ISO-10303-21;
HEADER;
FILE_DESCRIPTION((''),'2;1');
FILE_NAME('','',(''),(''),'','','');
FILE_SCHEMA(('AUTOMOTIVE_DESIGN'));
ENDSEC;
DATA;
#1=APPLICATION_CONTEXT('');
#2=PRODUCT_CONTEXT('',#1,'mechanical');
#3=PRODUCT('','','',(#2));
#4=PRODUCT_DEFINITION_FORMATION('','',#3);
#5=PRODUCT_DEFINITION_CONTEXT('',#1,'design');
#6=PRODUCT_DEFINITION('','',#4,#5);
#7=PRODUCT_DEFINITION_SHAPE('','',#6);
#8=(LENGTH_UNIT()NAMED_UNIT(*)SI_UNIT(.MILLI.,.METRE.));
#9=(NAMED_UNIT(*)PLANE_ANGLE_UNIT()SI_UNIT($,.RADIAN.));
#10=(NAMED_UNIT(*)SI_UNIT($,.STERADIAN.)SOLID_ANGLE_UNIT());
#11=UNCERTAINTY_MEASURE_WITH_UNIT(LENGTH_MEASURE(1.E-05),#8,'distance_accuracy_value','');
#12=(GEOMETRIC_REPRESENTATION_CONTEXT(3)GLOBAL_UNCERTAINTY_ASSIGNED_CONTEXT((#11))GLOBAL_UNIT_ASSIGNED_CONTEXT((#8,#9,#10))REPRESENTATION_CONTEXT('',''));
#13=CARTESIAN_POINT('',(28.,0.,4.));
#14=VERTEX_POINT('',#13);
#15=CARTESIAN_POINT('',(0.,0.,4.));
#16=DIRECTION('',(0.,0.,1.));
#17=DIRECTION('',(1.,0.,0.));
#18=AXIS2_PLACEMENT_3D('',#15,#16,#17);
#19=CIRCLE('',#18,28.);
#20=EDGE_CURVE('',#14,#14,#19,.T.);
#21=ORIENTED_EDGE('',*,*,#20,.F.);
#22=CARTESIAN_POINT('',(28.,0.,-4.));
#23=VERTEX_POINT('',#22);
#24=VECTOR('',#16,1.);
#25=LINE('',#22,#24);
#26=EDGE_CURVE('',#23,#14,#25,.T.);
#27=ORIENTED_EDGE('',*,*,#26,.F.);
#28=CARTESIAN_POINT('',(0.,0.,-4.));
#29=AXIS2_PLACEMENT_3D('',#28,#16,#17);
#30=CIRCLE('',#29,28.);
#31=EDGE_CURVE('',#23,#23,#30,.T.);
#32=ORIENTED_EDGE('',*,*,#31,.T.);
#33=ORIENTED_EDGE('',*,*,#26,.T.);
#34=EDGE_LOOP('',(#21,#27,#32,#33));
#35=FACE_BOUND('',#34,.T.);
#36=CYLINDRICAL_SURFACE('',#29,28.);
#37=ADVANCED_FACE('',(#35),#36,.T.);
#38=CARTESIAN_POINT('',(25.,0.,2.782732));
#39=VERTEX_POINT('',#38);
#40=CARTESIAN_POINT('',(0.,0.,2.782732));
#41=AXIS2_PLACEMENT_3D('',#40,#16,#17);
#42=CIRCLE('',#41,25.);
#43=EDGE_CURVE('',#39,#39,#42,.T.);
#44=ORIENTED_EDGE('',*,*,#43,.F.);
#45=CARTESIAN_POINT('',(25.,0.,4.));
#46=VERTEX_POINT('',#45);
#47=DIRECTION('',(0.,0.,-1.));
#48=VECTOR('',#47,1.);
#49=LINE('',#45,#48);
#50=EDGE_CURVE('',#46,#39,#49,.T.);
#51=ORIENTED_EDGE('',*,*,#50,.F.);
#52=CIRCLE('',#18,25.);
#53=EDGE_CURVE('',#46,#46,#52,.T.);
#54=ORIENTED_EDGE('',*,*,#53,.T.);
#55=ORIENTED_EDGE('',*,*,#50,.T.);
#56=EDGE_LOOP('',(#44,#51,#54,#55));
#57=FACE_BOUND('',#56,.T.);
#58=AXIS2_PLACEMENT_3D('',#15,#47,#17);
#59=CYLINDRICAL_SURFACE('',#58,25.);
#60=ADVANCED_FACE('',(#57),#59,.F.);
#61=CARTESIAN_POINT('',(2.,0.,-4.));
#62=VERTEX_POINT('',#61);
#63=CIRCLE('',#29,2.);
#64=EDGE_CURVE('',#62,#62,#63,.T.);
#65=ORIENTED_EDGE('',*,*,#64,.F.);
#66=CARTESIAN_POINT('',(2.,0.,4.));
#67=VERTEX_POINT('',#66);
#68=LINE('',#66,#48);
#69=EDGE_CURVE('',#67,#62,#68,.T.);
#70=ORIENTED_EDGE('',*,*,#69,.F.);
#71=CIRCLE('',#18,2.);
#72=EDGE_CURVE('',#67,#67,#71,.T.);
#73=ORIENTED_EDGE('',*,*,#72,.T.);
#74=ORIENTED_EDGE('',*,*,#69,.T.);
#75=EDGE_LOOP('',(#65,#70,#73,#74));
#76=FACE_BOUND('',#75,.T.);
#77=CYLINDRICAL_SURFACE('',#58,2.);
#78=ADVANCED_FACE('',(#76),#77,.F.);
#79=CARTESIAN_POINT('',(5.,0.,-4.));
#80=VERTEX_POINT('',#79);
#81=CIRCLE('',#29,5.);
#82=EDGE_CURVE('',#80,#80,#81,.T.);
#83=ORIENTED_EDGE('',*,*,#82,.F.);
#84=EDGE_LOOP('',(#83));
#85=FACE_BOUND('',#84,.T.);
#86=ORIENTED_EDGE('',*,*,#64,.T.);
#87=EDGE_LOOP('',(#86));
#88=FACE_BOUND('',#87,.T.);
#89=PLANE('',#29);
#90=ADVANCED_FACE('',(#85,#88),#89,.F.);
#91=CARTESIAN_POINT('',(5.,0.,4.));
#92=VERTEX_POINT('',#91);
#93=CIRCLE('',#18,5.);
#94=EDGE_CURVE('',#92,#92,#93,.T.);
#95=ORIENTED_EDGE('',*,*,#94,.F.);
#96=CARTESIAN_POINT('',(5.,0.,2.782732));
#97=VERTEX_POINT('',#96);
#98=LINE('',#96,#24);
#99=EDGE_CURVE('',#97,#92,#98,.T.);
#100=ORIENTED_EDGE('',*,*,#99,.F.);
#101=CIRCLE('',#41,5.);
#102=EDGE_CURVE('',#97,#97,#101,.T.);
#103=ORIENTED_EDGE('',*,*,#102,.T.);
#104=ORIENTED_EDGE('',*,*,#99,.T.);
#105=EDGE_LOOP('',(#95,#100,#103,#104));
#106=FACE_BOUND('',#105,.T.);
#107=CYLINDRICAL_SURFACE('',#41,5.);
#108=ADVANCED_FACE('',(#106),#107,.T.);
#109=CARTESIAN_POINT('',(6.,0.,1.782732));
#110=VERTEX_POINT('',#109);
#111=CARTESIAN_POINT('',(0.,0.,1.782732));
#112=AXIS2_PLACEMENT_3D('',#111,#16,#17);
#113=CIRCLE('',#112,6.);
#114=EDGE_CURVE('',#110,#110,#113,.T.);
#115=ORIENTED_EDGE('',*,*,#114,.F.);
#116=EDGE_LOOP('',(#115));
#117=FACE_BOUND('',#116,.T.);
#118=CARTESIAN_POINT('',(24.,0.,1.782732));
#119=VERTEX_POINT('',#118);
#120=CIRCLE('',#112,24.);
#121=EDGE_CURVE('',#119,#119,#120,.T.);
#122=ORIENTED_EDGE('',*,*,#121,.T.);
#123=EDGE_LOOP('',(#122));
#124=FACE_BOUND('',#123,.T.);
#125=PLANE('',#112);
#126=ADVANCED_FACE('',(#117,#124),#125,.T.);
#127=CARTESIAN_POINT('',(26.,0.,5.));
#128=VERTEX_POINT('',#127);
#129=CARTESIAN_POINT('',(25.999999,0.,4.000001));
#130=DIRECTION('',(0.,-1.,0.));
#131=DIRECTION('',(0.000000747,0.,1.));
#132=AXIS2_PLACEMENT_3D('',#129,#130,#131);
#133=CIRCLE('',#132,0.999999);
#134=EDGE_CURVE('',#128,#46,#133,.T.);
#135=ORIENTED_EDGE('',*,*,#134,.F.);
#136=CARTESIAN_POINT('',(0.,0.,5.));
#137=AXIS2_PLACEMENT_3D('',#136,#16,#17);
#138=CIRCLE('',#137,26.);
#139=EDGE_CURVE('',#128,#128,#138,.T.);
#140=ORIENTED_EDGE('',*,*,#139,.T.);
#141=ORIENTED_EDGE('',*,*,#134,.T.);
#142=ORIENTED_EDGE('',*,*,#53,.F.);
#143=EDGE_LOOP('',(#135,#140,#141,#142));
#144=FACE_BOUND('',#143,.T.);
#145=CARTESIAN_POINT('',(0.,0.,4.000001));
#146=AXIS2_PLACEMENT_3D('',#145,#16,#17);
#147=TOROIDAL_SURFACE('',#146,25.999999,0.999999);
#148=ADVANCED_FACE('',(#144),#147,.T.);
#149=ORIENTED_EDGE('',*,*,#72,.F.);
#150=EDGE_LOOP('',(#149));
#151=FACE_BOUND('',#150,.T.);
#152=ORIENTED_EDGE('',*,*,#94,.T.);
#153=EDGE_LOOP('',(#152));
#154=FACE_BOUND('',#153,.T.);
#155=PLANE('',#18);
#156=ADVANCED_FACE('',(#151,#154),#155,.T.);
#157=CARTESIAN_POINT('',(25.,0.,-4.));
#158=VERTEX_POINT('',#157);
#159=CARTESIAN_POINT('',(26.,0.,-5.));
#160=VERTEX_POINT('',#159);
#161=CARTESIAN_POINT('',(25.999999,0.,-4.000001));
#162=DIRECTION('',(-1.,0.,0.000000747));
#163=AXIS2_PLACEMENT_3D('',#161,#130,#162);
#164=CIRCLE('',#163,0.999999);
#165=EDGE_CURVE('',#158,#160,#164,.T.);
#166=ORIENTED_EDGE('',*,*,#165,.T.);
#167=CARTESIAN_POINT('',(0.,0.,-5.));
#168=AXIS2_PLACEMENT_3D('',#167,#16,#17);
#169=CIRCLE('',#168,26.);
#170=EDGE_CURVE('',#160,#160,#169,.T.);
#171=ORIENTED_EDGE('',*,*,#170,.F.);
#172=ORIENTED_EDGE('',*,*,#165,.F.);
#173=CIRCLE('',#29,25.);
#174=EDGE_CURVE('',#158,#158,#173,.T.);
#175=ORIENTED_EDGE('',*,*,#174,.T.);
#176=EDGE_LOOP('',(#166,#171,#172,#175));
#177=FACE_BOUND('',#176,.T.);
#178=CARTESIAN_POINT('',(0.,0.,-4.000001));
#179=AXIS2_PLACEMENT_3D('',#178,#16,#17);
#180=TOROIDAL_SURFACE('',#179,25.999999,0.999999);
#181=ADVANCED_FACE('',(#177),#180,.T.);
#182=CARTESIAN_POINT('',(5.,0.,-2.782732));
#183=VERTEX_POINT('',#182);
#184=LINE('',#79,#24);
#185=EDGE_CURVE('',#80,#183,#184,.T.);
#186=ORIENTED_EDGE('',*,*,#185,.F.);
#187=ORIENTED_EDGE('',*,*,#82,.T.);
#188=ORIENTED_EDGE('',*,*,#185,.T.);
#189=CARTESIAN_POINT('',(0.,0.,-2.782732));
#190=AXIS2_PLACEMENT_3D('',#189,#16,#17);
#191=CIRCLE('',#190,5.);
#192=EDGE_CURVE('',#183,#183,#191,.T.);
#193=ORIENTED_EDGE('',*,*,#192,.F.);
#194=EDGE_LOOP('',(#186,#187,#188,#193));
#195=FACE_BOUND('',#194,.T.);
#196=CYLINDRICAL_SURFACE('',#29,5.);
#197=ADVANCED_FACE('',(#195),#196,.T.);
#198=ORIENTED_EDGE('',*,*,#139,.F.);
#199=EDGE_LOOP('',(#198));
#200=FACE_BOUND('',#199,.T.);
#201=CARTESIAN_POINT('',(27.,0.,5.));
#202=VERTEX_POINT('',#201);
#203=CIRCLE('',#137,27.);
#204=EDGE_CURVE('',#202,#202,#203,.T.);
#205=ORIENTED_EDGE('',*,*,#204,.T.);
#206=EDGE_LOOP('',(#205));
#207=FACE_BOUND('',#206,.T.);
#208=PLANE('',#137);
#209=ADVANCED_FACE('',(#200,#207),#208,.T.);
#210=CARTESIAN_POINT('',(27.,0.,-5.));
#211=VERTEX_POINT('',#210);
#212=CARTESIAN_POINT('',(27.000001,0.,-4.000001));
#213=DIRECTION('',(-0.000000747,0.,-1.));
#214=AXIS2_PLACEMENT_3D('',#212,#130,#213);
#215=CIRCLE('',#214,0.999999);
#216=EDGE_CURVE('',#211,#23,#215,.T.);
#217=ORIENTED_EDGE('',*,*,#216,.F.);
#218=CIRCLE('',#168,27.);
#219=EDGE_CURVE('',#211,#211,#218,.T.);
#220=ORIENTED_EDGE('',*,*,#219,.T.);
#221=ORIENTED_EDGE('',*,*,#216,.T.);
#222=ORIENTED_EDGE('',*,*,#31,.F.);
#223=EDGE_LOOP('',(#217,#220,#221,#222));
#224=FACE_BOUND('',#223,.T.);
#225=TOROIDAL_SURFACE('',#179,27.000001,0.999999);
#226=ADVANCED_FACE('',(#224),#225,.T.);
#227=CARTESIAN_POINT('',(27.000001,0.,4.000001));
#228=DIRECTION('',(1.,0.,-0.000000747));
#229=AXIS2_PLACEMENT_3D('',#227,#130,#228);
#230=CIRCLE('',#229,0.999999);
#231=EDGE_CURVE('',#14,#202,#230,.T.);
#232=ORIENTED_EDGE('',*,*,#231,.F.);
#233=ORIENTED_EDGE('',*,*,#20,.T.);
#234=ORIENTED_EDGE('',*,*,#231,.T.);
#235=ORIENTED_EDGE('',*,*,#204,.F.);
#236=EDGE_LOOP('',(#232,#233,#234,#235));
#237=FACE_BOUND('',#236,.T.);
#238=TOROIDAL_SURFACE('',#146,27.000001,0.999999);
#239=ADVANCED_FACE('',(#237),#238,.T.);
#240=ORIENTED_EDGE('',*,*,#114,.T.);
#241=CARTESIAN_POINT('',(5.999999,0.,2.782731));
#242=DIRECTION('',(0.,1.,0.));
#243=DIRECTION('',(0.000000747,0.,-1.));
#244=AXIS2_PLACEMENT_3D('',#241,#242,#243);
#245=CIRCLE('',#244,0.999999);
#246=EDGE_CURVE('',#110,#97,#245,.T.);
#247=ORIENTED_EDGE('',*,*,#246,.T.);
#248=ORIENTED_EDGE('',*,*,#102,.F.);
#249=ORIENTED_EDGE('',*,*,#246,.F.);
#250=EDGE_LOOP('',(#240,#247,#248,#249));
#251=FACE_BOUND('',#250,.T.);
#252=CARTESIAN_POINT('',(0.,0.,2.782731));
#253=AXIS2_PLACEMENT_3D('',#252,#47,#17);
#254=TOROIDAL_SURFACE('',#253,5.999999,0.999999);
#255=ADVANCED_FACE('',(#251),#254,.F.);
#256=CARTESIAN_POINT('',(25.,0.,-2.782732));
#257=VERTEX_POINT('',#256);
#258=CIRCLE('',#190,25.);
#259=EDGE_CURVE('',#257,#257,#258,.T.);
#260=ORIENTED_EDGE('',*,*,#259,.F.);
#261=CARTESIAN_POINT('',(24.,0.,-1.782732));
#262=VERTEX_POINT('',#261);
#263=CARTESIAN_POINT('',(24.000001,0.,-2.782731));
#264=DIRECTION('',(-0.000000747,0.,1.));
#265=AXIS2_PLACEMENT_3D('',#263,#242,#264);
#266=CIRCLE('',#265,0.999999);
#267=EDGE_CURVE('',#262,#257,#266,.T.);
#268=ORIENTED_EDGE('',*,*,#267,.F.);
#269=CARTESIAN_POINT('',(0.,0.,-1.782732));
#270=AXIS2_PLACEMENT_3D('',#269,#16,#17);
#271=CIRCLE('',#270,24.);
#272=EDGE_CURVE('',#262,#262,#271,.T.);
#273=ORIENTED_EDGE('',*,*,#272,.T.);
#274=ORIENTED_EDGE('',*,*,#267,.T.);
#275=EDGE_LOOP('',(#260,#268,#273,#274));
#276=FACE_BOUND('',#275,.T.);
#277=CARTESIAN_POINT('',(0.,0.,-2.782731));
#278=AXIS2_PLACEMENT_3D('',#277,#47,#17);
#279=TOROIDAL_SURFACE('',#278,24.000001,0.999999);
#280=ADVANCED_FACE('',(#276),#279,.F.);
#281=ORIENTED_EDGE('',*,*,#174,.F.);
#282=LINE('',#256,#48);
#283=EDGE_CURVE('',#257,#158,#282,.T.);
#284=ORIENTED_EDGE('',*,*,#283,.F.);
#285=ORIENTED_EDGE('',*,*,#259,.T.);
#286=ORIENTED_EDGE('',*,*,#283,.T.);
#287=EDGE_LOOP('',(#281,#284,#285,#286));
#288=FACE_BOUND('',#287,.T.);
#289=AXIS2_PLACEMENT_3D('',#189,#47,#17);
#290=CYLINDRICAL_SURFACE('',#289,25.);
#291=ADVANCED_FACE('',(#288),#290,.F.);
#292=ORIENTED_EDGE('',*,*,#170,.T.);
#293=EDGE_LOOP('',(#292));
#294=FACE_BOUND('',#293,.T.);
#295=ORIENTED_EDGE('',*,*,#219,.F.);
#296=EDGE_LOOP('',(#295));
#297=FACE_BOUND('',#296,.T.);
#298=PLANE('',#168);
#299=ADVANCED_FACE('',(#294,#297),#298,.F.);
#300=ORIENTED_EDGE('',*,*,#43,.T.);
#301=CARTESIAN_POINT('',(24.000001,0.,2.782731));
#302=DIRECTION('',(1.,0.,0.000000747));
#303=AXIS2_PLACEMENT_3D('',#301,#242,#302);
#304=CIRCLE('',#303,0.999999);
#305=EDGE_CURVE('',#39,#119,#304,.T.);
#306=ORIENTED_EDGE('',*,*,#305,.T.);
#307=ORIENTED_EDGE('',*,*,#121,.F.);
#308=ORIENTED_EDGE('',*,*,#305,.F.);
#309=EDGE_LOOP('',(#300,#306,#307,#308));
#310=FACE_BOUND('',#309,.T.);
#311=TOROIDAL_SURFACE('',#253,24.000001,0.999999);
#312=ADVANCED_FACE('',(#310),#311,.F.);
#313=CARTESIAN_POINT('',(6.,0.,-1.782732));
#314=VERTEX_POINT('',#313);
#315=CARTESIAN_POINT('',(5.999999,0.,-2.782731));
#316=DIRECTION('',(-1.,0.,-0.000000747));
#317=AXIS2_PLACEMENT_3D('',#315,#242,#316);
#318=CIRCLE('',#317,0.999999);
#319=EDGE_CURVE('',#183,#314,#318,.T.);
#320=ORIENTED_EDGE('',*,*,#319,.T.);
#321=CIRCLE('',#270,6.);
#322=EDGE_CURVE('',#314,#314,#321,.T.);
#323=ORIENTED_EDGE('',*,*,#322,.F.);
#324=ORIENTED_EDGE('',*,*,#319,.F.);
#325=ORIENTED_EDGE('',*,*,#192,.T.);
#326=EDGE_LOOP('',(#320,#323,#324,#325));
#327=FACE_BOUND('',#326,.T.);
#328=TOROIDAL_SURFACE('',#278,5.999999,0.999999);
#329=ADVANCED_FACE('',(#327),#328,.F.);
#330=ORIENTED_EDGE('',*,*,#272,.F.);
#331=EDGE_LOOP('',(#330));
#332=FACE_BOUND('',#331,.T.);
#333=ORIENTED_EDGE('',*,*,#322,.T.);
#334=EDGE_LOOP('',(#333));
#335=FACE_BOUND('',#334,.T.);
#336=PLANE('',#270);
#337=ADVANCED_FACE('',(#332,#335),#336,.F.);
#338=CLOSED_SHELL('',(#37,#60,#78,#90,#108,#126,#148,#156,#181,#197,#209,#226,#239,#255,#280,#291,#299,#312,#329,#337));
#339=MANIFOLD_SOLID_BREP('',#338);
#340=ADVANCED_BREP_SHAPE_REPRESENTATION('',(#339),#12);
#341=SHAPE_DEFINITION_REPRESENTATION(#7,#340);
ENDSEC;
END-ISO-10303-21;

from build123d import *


with BuildPart() as f1:
    # F0 (on Front) → F1 (revolve)
    with BuildSketch(Plane.XZ):
        with BuildLine():
            Line((2, 4), (2, -4))
            Line((2, -4), (5, -4))
            Line((5, -4), (5, -2.782732))
            ThreePointArc((5, -2.782732), (5.292893, -2.075625), (6, -1.782732))
            Line((6, -1.782732), (24, -1.782732))
            ThreePointArc((24, -1.782732), (24.707107, -2.075625), (25, -2.782732))
            Line((25, -2.782732), (25, -4))
            ThreePointArc((25, -4), (25.292893, -4.707107), (26, -5))
            Line((26, -5), (27, -5))
            ThreePointArc((27, -5), (27.707107, -4.707107), (28, -4))
            Line((28, -4), (28, 4))
            ThreePointArc((28, 4), (27.707107, 4.707107), (27, 5))
            Line((27, 5), (26, 5))
            ThreePointArc((26, 5), (25.292893, 4.707107), (25, 4))
            Line((25, 4), (25, 2.782732))
            ThreePointArc((25, 2.782732), (24.707107, 2.075625), (24, 1.782732))
            Line((24, 1.782732), (6, 1.782732))
            ThreePointArc((6, 1.782732), (5.292893, 2.075625), (5, 2.782732))
            Line((5, 2.782732), (5, 4))
            Line((5, 4), (2, 4))
        make_face()
    revolve(axis=Axis((0, 0, 11.894715), (0, 0, 1)))


solid = f1.part
